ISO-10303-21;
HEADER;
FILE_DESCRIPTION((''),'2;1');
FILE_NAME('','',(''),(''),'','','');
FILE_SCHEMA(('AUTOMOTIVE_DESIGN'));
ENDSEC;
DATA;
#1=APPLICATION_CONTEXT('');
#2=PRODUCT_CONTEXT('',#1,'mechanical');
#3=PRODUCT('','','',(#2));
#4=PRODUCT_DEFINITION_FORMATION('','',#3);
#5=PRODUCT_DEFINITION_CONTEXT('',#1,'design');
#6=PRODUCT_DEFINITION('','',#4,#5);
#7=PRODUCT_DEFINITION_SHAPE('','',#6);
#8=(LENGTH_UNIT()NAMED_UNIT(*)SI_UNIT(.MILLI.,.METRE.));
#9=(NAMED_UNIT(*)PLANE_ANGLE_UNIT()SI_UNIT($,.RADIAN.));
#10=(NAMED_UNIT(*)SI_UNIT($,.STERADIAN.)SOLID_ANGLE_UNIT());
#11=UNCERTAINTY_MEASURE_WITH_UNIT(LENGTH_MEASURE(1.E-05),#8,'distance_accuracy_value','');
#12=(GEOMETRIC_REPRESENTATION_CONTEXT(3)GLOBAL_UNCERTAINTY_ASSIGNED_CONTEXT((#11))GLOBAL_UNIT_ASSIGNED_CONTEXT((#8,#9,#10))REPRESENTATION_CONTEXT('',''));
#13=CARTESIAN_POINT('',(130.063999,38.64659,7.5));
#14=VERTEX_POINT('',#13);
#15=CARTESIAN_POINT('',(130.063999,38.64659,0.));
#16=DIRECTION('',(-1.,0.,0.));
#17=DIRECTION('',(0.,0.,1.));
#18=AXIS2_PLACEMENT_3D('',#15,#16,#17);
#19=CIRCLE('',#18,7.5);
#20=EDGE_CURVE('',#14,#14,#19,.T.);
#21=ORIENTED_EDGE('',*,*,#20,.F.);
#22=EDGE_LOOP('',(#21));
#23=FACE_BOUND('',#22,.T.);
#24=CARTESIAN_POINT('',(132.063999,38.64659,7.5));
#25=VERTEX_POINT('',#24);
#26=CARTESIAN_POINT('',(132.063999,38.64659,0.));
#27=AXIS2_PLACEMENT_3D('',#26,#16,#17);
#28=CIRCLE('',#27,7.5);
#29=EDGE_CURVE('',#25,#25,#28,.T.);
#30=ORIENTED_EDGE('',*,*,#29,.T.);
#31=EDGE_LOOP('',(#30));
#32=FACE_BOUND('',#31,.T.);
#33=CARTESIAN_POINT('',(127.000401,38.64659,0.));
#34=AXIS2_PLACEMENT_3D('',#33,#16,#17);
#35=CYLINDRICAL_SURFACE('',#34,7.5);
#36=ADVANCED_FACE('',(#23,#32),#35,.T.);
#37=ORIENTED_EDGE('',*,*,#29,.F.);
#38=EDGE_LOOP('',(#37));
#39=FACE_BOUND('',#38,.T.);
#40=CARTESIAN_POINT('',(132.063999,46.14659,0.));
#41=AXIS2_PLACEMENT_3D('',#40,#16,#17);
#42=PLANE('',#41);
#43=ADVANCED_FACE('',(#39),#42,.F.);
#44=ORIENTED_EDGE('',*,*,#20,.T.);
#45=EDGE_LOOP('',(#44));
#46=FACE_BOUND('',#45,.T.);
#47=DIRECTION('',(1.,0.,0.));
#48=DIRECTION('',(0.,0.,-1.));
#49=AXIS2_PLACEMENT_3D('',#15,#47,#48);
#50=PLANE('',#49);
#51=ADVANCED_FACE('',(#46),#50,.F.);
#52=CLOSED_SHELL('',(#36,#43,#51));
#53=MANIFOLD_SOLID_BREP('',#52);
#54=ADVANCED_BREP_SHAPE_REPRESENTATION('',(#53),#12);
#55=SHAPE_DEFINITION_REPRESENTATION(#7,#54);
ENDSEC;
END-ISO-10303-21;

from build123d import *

# Parameters (mm, degrees)
SKETCH_1_W = 2
SKETCH_1_H = 7.5


with BuildPart() as part:
    # 草图1 → 旋转1 (revolve)
    with BuildSketch(Plane.XY, mode=Mode.PRIVATE) as revolve_1_sk:
        with Locations((131.06399853, 42.396589675)):
            Rectangle(SKETCH_1_W, SKETCH_1_H)
    revolve(revolve_1_sk.sketch.rotate(Axis((127.000400996, 38.646589675, 0), (1, 0, 0)), 90), axis=Axis((127.000400996, 38.646589675, 0), (1, 0, 0)))  # turned: the seam where the file's is


solid = part.part
